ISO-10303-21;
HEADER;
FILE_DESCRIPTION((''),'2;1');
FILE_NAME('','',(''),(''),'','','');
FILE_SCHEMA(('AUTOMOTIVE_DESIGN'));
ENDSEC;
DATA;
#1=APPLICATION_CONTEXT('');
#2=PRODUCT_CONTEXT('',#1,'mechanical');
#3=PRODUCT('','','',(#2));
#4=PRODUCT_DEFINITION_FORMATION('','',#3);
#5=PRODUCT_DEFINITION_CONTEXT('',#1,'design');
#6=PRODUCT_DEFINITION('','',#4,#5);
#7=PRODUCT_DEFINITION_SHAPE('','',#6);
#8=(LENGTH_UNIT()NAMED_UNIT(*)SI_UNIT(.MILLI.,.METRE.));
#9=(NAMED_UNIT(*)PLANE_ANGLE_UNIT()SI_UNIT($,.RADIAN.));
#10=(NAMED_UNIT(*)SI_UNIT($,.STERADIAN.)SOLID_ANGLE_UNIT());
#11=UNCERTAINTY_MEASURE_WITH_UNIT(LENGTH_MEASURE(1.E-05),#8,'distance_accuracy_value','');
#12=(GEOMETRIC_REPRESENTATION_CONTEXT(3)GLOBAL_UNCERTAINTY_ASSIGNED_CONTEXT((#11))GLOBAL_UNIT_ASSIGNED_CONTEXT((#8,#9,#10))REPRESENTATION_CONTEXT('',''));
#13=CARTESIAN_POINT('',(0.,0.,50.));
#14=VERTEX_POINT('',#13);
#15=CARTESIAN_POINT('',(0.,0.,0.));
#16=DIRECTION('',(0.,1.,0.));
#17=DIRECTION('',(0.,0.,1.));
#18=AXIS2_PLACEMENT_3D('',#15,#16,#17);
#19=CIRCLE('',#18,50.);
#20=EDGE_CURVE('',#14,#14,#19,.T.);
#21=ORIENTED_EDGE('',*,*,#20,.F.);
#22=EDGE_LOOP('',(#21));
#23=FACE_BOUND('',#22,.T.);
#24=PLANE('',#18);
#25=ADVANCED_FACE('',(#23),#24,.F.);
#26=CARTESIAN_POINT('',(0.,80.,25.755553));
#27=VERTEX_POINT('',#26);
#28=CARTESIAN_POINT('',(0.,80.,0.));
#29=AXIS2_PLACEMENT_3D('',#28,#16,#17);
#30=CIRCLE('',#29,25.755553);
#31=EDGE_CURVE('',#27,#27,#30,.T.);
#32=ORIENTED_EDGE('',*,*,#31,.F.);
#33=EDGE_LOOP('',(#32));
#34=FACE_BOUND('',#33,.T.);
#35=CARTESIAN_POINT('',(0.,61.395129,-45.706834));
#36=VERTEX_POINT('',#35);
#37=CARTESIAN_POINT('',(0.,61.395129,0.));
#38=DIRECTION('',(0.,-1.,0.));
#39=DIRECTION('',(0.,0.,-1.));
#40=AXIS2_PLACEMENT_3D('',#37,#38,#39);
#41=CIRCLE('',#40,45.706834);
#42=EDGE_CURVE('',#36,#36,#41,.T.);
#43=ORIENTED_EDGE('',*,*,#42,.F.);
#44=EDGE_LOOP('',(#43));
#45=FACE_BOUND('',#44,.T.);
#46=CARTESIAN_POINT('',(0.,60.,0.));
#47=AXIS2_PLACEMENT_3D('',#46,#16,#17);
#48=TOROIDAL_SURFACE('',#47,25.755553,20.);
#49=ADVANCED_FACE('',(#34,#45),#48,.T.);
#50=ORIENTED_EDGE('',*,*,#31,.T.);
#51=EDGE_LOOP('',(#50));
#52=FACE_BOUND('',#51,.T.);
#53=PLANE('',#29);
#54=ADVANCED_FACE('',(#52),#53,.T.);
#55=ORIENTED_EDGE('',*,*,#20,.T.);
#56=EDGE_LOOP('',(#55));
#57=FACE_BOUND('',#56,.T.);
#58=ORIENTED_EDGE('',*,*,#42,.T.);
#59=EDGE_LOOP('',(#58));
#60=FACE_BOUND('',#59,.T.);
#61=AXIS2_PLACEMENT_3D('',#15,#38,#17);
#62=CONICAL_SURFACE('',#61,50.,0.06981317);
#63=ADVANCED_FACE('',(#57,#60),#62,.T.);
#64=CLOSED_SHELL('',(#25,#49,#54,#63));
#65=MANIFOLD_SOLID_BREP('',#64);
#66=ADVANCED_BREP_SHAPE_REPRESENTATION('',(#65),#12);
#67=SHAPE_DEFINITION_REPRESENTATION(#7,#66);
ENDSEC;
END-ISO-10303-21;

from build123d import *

# Parameters (mm, degrees)
SZKIC1_R                    = 50
DODANIE_WYCI_GNI_CIE1_DEPTH = 80
DODANIE_WYCI_GNI_CIE1_TAPER = 4
ZAOKR_GLENIE1_R             = 20


with BuildPart() as part:
    # Szkic1 → Dodanie-wyciągnięcie1 (new body)
    with BuildSketch(Plane(origin=(0, 0, 0), x_dir=(1, 0, 0), z_dir=(0, 1, 0))):
        Circle(SZKIC1_R)
    extrude(amount=DODANIE_WYCI_GNI_CIE1_DEPTH, taper=DODANIE_WYCI_GNI_CIE1_TAPER)

    # Zaokrąglenie1
    zaokr_glenie1_edges = [part.edges().sort_by_distance(p)[0] for p in [
        (-44.405855045, 80, 0),
    ]]
    fillet(zaokr_glenie1_edges, radius=ZAOKR_GLENIE1_R)


solid = part.part
